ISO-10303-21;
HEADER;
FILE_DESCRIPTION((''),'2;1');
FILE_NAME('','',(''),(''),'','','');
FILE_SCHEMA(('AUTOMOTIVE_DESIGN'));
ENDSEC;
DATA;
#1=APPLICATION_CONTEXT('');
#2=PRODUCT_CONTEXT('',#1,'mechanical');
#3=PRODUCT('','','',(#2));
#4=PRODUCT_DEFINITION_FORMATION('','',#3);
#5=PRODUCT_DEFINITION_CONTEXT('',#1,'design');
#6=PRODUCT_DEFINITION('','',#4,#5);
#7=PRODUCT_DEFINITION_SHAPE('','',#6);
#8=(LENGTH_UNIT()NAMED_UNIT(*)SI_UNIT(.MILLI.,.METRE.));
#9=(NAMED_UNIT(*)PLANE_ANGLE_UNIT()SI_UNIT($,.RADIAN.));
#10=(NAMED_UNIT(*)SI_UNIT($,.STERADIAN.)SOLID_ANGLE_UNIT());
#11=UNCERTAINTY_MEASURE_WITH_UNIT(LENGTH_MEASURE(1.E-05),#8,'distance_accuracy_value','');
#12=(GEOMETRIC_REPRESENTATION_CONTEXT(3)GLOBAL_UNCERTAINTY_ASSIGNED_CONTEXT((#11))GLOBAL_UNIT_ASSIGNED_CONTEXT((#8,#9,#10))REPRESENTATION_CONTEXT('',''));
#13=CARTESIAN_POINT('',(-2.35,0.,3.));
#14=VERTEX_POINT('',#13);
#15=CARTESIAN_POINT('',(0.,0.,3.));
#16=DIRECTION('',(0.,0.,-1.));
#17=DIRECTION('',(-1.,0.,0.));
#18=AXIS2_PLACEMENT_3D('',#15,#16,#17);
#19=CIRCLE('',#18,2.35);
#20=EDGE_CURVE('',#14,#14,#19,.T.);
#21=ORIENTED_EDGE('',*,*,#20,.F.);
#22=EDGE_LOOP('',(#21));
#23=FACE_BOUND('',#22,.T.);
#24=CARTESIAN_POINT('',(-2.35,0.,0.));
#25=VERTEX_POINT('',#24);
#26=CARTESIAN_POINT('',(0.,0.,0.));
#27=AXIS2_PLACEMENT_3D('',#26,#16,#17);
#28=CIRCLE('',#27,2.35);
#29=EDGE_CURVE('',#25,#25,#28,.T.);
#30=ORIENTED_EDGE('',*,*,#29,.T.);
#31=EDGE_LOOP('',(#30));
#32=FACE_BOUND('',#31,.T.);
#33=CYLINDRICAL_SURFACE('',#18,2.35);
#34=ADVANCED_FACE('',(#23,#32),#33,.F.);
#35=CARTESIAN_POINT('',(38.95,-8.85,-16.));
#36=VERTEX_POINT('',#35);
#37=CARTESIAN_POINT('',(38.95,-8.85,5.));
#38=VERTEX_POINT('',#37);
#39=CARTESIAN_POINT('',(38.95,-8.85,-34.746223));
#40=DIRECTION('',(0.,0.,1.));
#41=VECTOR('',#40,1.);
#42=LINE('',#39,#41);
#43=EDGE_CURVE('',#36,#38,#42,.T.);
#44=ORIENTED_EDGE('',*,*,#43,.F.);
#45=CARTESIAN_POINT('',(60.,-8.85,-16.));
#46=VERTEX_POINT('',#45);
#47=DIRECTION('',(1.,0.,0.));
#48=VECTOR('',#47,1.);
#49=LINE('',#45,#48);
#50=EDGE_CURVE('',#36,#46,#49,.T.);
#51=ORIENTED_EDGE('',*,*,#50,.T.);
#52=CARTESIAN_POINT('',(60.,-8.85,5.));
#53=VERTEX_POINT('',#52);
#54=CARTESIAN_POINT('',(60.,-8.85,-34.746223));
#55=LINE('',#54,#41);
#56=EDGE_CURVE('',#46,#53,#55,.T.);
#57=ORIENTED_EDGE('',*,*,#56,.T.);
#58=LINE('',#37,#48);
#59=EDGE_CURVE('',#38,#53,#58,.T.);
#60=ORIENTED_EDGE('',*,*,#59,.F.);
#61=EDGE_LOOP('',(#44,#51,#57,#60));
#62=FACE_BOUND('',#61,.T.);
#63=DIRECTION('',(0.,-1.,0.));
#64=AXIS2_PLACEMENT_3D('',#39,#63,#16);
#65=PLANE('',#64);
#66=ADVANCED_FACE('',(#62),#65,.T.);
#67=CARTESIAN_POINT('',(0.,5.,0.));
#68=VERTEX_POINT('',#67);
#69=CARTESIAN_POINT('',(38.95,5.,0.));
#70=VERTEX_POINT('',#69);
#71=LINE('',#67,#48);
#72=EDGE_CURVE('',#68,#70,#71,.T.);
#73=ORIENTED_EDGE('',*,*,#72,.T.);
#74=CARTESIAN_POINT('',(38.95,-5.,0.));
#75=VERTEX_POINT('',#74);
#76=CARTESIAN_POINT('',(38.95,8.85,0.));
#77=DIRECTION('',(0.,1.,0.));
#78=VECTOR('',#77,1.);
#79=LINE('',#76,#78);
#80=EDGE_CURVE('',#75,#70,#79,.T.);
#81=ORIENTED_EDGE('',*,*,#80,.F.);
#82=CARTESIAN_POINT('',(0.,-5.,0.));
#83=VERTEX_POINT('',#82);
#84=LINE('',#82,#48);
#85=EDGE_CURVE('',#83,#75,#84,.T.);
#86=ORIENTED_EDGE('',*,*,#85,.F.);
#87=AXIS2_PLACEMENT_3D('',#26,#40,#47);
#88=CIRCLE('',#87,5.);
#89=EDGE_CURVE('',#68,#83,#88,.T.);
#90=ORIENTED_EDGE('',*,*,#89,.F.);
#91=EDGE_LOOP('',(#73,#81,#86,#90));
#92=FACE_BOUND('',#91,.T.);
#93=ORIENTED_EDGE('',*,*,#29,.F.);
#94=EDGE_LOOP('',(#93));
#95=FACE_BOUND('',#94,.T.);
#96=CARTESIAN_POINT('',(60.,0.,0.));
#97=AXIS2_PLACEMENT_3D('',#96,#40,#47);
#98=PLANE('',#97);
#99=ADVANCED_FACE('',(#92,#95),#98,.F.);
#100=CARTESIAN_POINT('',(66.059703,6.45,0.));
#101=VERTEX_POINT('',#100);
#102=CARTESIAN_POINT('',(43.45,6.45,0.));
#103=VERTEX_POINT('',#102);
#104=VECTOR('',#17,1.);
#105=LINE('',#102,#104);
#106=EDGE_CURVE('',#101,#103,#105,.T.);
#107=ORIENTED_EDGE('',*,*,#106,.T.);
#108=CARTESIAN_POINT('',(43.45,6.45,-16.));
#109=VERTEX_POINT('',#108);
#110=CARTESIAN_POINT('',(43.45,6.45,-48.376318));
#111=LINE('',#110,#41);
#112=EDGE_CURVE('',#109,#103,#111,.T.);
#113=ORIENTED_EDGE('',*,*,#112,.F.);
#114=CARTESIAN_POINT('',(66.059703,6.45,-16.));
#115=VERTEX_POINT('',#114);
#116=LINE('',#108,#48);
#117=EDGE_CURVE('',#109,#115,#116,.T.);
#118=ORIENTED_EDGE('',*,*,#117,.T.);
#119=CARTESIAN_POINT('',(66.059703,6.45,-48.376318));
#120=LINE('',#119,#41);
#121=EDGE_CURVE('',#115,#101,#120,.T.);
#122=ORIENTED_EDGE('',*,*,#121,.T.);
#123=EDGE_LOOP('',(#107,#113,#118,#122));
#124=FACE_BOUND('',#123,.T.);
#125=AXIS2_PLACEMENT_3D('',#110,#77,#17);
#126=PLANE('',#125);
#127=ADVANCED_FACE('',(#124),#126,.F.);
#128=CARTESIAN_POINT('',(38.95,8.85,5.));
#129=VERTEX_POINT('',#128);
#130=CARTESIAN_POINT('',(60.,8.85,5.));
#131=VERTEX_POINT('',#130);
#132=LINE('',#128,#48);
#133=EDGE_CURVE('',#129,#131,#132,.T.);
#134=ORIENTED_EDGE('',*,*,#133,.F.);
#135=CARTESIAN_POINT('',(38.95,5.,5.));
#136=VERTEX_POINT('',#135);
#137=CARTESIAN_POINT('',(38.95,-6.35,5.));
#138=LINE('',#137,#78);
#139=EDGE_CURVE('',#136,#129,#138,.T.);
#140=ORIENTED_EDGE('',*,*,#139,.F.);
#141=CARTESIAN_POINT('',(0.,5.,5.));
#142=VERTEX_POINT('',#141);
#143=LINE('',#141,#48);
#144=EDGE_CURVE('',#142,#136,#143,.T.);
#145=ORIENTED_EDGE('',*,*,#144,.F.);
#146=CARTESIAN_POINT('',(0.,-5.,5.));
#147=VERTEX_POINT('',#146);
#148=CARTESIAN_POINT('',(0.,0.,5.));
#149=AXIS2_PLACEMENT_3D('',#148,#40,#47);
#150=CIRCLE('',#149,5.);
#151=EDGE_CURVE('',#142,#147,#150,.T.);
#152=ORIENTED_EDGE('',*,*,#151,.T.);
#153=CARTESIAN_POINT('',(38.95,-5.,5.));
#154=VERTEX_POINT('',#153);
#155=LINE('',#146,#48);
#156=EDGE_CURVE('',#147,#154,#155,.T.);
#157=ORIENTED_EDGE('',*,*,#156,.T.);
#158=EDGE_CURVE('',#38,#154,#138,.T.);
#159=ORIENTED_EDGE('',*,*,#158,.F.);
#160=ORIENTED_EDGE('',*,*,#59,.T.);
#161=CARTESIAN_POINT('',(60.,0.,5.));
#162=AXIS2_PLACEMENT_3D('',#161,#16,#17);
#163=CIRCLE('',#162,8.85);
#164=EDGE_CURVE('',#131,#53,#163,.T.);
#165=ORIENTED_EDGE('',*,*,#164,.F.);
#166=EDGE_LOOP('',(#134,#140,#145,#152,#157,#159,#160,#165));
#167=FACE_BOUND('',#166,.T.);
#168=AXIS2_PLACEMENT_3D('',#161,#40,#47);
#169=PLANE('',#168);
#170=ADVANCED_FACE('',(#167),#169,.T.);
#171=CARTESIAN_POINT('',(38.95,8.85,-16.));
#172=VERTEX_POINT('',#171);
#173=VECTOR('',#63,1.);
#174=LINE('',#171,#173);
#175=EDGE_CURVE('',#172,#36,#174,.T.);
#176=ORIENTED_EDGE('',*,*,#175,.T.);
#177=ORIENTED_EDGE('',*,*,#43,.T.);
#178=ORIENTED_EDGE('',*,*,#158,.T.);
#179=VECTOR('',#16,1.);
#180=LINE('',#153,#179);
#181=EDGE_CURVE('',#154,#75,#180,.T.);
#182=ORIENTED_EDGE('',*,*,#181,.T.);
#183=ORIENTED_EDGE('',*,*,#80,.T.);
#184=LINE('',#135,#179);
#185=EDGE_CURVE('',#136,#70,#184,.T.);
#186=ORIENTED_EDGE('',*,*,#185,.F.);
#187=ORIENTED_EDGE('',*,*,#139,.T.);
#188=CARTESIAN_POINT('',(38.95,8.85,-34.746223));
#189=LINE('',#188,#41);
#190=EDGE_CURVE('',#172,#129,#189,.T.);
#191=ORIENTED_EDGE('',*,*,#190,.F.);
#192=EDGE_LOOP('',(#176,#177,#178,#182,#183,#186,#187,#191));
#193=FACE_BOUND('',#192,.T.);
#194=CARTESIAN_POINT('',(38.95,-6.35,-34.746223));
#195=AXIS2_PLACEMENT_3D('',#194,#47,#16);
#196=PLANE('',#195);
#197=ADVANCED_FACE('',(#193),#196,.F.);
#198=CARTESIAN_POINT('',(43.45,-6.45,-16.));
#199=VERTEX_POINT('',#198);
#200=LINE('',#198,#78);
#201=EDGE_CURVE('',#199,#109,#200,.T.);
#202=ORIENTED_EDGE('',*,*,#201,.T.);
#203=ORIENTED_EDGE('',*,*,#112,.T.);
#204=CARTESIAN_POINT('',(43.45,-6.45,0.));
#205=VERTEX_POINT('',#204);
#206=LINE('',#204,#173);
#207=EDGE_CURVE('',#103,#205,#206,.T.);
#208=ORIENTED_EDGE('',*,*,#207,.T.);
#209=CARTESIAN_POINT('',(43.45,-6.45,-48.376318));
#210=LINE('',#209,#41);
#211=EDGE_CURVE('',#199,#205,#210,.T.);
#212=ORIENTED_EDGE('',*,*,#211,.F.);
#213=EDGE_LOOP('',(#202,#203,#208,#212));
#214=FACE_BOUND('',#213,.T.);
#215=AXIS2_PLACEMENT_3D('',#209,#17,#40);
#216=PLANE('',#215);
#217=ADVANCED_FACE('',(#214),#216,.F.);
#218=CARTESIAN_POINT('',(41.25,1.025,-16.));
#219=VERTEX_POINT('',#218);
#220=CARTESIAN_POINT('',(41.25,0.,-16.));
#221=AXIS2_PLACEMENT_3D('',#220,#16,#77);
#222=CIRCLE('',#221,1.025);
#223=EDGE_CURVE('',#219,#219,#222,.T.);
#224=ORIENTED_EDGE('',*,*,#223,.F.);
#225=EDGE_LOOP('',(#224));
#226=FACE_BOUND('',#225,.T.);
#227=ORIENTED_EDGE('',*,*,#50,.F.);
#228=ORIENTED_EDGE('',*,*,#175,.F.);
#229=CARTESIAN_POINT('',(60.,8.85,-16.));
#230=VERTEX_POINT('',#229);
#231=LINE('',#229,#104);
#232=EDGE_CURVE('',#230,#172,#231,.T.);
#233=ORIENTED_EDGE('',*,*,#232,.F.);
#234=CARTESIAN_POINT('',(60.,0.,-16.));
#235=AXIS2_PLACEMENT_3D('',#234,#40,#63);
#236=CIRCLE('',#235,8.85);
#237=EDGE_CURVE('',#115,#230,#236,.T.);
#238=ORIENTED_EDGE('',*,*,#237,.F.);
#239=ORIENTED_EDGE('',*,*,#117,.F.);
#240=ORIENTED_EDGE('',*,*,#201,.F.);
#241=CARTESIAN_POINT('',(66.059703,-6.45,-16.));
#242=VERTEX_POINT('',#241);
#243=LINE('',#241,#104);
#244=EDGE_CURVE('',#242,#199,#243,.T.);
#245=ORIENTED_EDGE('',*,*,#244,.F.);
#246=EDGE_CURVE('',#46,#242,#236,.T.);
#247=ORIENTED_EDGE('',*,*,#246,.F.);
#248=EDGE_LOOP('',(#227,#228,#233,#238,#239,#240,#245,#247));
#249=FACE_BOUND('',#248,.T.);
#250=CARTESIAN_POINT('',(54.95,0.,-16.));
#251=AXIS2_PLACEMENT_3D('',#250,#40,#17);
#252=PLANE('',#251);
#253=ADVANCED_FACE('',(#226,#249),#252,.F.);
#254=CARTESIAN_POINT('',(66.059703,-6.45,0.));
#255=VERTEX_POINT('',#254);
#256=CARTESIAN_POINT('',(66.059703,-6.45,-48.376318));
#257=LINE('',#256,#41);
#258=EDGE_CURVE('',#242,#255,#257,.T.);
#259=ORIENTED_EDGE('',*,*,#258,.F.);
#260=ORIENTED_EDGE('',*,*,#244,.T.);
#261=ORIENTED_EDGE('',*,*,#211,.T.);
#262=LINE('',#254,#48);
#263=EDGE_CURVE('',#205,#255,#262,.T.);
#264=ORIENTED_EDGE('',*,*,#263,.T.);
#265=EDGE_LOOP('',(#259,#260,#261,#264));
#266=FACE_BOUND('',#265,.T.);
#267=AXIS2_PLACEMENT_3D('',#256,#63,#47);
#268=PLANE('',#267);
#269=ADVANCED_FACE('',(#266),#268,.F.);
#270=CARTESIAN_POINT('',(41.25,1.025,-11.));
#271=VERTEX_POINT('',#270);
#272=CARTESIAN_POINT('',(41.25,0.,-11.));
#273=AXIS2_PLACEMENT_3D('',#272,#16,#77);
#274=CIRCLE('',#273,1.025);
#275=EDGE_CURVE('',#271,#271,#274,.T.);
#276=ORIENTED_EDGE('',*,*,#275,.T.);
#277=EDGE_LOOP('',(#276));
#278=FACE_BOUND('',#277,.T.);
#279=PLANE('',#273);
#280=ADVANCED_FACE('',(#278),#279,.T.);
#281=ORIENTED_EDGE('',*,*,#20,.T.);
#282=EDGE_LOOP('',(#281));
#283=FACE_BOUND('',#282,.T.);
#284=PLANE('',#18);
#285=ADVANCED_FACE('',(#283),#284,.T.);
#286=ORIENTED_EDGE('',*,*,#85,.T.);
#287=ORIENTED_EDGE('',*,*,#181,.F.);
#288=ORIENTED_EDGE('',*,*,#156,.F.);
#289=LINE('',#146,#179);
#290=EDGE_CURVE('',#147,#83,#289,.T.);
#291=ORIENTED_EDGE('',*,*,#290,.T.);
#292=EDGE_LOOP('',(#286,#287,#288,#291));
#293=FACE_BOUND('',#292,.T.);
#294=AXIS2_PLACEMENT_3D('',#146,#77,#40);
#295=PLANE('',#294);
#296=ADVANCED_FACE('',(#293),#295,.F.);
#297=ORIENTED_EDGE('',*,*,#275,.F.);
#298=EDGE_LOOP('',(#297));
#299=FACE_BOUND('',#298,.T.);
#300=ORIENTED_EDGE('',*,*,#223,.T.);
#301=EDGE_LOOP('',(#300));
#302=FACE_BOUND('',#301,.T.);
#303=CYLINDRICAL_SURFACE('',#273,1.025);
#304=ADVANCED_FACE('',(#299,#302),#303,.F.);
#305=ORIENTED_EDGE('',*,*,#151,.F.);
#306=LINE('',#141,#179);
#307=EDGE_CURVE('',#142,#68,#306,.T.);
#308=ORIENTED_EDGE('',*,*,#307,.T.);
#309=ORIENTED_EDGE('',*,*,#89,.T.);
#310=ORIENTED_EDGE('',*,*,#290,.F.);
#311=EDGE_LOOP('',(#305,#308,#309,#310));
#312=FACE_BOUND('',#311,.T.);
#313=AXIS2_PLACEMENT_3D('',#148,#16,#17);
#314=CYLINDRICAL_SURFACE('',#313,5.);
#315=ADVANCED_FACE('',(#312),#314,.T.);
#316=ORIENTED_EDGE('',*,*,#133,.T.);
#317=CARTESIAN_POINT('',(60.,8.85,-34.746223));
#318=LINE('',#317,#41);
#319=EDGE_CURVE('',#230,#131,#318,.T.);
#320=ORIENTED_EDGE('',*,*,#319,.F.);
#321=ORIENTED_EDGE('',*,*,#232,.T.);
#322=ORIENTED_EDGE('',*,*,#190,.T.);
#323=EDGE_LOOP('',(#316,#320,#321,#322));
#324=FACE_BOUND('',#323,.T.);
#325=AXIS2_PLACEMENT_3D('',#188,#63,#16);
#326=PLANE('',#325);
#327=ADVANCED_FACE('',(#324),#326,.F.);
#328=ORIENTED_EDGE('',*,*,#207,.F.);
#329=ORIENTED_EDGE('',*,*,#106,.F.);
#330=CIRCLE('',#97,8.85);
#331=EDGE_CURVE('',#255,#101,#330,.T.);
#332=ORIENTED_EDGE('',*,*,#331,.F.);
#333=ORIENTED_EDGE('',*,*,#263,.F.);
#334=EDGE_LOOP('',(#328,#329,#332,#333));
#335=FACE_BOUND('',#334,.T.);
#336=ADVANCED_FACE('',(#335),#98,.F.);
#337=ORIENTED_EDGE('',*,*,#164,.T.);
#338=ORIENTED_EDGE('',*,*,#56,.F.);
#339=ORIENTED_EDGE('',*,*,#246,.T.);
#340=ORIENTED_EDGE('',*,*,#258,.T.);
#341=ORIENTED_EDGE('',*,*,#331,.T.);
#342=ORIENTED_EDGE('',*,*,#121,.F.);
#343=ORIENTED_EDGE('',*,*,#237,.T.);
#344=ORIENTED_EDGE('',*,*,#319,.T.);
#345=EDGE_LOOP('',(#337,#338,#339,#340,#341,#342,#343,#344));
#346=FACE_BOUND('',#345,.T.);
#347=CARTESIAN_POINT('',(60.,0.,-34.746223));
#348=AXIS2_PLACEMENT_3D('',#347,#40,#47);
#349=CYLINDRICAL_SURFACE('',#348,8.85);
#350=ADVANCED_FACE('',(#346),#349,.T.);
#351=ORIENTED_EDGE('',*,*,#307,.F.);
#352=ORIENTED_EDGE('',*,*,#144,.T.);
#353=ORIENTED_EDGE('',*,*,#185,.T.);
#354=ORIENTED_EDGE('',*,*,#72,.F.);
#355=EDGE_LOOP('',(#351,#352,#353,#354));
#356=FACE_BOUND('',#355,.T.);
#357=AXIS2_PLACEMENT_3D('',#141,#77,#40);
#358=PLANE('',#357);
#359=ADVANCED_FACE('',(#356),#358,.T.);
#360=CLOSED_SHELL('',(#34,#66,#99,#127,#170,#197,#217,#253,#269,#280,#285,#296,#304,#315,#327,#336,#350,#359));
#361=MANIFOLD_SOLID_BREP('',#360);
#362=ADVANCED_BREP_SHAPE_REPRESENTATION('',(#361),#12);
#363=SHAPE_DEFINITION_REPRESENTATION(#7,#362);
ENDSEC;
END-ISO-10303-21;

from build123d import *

# Parameters (mm, degrees)
BOSS_EXTRUDE1_DEPTH = 5
SKETCH2_R           = 2.35
CUT_EXTRUDE1_DEPTH  = 3
BOSS_EXTRUDE3_DEPTH = 5
BOSS_EXTRUDE4_DEPTH = 16
SKETCH5_R           = 1.025
CUT_EXTRUDE2_DEPTH  = 5


with BuildPart() as part:
    # Sketch1 → Boss-Extrude1 (new body)
    with BuildSketch(Plane.XY):
        with BuildLine():
            Line((0, 5), (60, 5))
            ThreePointArc((60, 5), (65, 0), (60, -5))
            Line((60, -5), (0, -5))
            ThreePointArc((0, -5), (-5, 0), (0, 5))
        make_face()
    extrude(amount=BOSS_EXTRUDE1_DEPTH)

    # Sketch2 → Cut-Extrude1 (cut)
    with BuildSketch(Plane(origin=(0, 0, 0), x_dir=(-1, 0, 0), z_dir=(0, 0, -1))):
        Circle(SKETCH2_R)
    extrude(amount=-CUT_EXTRUDE1_DEPTH, mode=Mode.SUBTRACT)

    # Sketch3 → Boss-Extrude3 (add)
    with BuildSketch(Plane.XY.offset(5)):
        with BuildLine():
            Line((38.95, -6.35), (38.95, 6.35))
            Line((38.95, 6.35), (38.95, 8.85))
            Line((38.95, 8.85), (60, 8.85))
            ThreePointArc((60, 8.85), (68.85, 0), (60, -8.85))
            Line((60, -8.85), (38.95, -8.85))
            Line((38.95, -8.85), (38.95, -6.35))
        make_face()
    extrude(amount=-BOSS_EXTRUDE3_DEPTH)

    # Sketch4 → Boss-Extrude4 (add)
    with BuildSketch(Plane(origin=(0, 0, 0), x_dir=(-1, 0, 0), z_dir=(0, 0, -1))):
        with BuildLine():
            Line((-60, 8.85), (-38.95, 8.85))
            Line((-38.95, 8.85), (-38.95, 5))
            Line((-38.95, 5), (-38.95, -5))
            Line((-38.95, -5), (-38.95, -8.85))
            Line((-38.95, -8.85), (-60, -8.85))
            ThreePointArc((-60, -8.85), (-63.258834147, -8.228152891), (-66.059702963, -6.45))
            Line((-66.059702963, -6.45), (-43.45, -6.45))
            Line((-43.45, -6.45), (-43.45, 6.45))
            Line((-43.45, 6.45), (-66.059702963, 6.45))
            ThreePointArc((-66.059702963, 6.45), (-63.258834147, 8.228152891), (-60, 8.85))
        make_face()
    extrude(amount=BOSS_EXTRUDE4_DEPTH)

    # Sketch5 → Cut-Extrude2 (cut)
    with BuildSketch(Plane(origin=(0, 0, -16), x_dir=(-1, 0, 0), z_dir=(0, 0, -1))):
        with Locations((-41.25, 0)):
            Circle(SKETCH5_R)
    extrude(amount=-CUT_EXTRUDE2_DEPTH, mode=Mode.SUBTRACT)


solid = part.part
